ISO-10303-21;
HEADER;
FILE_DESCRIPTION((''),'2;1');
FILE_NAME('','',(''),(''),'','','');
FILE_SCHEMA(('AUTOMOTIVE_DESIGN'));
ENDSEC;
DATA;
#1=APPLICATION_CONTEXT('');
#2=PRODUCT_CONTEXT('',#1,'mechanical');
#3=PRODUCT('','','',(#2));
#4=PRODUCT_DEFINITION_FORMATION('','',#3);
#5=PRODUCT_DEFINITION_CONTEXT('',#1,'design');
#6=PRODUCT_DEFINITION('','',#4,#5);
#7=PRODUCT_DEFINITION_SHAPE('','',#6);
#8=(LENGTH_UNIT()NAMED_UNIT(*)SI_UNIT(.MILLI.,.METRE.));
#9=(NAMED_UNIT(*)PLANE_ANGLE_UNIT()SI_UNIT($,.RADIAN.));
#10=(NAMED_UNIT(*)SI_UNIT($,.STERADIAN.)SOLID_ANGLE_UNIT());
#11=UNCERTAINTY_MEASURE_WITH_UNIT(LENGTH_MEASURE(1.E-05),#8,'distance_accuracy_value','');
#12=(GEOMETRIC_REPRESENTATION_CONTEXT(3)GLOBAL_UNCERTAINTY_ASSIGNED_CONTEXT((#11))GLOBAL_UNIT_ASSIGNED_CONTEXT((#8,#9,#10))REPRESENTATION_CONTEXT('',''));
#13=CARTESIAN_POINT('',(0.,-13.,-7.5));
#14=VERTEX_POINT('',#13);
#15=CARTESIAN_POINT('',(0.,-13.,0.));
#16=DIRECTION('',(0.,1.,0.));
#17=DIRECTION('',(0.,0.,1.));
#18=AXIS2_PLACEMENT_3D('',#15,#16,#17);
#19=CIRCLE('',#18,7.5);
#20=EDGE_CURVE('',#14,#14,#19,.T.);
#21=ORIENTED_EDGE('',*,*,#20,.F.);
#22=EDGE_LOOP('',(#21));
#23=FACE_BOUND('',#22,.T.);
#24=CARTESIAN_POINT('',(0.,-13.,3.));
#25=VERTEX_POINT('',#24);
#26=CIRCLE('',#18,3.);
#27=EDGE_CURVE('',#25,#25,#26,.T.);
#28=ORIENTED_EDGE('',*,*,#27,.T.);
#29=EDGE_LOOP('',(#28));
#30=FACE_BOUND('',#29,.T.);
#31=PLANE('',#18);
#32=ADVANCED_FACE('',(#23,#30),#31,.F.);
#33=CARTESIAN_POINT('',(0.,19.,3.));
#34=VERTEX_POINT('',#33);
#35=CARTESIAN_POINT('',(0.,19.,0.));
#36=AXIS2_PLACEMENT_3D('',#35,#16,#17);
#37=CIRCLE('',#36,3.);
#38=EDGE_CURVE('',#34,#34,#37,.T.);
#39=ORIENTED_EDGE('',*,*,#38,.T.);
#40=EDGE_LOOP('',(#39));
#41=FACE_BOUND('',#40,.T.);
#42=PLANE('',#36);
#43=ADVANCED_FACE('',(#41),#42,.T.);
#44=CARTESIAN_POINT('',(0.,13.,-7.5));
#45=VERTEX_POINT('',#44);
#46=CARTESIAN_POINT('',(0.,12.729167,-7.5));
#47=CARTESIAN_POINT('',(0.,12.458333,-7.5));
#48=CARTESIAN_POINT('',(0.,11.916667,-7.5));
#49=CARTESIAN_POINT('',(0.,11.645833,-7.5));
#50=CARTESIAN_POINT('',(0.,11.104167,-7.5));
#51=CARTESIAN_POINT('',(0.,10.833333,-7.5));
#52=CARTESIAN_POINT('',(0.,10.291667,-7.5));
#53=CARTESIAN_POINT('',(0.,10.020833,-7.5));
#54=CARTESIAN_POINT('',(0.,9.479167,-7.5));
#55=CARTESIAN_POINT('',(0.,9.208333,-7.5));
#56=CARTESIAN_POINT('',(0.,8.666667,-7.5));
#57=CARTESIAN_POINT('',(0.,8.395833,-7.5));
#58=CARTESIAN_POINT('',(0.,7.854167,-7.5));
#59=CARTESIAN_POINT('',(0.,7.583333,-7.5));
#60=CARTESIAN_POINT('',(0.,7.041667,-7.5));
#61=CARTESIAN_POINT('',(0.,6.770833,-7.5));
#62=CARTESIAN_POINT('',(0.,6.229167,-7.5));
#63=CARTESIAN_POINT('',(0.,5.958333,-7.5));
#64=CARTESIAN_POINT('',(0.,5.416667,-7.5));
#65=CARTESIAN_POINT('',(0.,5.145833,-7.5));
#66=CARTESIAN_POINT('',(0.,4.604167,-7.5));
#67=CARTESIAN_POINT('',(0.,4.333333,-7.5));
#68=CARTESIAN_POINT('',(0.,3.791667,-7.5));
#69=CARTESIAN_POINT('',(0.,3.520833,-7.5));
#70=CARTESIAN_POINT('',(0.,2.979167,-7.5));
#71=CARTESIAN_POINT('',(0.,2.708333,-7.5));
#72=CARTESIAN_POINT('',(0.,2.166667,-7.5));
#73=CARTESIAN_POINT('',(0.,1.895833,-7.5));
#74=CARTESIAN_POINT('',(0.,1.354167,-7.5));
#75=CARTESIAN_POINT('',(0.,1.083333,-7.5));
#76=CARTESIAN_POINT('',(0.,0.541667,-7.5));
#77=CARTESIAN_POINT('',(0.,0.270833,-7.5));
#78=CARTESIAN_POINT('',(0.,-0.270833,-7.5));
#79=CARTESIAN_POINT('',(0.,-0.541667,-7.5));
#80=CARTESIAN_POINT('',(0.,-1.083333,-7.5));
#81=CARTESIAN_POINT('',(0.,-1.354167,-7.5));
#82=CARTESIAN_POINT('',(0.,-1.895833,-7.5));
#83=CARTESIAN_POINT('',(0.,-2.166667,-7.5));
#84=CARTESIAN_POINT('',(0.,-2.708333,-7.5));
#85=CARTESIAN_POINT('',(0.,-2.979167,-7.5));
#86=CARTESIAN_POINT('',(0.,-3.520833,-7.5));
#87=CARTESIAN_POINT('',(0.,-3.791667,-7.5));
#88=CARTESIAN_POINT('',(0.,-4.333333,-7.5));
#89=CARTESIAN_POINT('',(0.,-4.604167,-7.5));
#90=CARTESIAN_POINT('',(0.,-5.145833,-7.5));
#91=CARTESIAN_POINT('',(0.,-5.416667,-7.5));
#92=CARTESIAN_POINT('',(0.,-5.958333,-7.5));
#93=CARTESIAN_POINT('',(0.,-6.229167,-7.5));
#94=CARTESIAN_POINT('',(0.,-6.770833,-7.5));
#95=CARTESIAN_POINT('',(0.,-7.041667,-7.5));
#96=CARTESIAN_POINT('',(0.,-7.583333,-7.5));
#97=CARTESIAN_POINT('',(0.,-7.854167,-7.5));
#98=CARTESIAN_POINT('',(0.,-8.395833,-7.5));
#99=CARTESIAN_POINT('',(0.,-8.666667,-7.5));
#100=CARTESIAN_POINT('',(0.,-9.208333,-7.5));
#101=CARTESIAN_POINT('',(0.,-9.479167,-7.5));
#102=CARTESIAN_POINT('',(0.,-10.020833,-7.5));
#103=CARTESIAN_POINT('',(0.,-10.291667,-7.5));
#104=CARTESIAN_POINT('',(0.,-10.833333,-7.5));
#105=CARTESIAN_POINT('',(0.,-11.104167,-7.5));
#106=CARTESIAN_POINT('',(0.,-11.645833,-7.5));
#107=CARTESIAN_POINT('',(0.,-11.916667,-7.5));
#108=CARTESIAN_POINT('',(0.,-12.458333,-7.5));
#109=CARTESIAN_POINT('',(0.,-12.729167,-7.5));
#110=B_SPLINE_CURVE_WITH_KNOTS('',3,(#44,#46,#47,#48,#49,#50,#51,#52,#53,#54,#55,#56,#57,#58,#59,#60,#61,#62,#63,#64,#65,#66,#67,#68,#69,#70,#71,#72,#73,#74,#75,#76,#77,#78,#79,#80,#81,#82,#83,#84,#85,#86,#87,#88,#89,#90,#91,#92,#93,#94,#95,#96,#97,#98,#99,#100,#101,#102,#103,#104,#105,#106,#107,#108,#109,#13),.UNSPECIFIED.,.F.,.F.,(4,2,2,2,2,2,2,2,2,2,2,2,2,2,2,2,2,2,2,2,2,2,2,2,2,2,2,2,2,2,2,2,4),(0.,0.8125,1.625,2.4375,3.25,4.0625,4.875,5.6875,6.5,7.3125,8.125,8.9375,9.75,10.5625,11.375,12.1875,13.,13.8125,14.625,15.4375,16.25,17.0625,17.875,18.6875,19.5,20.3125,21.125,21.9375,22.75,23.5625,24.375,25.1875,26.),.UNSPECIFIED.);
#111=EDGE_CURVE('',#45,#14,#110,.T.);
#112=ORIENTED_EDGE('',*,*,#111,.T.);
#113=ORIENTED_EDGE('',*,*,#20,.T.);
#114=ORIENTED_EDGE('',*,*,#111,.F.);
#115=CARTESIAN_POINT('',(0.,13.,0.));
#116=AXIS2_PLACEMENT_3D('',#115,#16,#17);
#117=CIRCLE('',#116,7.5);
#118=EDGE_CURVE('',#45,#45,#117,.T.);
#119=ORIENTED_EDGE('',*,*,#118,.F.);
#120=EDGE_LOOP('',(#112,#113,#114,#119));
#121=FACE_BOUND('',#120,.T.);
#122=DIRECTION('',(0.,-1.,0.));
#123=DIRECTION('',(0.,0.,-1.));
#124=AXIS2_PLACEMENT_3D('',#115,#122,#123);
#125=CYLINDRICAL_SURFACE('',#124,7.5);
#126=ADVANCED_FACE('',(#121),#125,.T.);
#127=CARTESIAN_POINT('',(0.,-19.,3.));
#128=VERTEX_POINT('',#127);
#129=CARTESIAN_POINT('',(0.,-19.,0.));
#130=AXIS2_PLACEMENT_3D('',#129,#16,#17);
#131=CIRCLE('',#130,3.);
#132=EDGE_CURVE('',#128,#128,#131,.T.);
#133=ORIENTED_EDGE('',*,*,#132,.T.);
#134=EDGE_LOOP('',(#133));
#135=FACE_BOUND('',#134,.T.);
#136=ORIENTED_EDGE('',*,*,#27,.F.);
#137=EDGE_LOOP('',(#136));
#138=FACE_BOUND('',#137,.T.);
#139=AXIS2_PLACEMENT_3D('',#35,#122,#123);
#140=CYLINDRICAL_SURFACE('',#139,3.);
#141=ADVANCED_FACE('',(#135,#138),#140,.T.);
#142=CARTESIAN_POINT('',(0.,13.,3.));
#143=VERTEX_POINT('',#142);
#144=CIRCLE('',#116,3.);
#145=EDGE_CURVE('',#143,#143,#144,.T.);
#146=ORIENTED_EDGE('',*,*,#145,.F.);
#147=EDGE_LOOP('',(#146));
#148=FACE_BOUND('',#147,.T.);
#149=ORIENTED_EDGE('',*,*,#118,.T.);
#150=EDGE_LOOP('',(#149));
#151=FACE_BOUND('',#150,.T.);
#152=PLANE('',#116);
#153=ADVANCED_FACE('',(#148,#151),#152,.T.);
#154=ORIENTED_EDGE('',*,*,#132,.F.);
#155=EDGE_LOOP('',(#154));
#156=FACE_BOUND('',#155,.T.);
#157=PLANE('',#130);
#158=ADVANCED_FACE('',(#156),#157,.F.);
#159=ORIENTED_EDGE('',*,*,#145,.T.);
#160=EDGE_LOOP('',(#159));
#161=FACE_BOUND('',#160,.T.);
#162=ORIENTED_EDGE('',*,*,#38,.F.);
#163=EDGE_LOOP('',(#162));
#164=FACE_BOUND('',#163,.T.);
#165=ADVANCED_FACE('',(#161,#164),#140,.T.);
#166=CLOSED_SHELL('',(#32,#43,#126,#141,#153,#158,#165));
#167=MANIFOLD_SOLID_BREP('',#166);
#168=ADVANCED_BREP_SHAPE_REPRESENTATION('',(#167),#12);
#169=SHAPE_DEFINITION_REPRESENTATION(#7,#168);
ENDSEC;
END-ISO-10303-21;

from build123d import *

# Parameters (mm, degrees)
SKETCH1_R           = 3
BOSS_EXTRUDE1_DEPTH = 19
SKETCH1_3_R         = 7.5
SKETCH1_3_R_2       = 3
BOSS_EXTRUDE2_DEPTH = 13


with BuildPart() as part:
    # Sketch1 → Boss-Extrude1 (new, symmetric)
    with BuildSketch(Plane(origin=(0, 0, 0), x_dir=(1, 0, 0), z_dir=(0, 1, 0))):
        Circle(SKETCH1_R)
    extrude(amount=BOSS_EXTRUDE1_DEPTH, both=True)

    # Sketch1<3> → Boss-Extrude2 (add, symmetric)
    with BuildSketch(Plane(origin=(0, 0, 0), x_dir=(1, 0, 0), z_dir=(0, 1, 0))):
        Circle(SKETCH1_3_R)
        Circle(SKETCH1_3_R_2, mode=Mode.SUBTRACT)
    extrude(amount=BOSS_EXTRUDE2_DEPTH, both=True)


solid = part.part
